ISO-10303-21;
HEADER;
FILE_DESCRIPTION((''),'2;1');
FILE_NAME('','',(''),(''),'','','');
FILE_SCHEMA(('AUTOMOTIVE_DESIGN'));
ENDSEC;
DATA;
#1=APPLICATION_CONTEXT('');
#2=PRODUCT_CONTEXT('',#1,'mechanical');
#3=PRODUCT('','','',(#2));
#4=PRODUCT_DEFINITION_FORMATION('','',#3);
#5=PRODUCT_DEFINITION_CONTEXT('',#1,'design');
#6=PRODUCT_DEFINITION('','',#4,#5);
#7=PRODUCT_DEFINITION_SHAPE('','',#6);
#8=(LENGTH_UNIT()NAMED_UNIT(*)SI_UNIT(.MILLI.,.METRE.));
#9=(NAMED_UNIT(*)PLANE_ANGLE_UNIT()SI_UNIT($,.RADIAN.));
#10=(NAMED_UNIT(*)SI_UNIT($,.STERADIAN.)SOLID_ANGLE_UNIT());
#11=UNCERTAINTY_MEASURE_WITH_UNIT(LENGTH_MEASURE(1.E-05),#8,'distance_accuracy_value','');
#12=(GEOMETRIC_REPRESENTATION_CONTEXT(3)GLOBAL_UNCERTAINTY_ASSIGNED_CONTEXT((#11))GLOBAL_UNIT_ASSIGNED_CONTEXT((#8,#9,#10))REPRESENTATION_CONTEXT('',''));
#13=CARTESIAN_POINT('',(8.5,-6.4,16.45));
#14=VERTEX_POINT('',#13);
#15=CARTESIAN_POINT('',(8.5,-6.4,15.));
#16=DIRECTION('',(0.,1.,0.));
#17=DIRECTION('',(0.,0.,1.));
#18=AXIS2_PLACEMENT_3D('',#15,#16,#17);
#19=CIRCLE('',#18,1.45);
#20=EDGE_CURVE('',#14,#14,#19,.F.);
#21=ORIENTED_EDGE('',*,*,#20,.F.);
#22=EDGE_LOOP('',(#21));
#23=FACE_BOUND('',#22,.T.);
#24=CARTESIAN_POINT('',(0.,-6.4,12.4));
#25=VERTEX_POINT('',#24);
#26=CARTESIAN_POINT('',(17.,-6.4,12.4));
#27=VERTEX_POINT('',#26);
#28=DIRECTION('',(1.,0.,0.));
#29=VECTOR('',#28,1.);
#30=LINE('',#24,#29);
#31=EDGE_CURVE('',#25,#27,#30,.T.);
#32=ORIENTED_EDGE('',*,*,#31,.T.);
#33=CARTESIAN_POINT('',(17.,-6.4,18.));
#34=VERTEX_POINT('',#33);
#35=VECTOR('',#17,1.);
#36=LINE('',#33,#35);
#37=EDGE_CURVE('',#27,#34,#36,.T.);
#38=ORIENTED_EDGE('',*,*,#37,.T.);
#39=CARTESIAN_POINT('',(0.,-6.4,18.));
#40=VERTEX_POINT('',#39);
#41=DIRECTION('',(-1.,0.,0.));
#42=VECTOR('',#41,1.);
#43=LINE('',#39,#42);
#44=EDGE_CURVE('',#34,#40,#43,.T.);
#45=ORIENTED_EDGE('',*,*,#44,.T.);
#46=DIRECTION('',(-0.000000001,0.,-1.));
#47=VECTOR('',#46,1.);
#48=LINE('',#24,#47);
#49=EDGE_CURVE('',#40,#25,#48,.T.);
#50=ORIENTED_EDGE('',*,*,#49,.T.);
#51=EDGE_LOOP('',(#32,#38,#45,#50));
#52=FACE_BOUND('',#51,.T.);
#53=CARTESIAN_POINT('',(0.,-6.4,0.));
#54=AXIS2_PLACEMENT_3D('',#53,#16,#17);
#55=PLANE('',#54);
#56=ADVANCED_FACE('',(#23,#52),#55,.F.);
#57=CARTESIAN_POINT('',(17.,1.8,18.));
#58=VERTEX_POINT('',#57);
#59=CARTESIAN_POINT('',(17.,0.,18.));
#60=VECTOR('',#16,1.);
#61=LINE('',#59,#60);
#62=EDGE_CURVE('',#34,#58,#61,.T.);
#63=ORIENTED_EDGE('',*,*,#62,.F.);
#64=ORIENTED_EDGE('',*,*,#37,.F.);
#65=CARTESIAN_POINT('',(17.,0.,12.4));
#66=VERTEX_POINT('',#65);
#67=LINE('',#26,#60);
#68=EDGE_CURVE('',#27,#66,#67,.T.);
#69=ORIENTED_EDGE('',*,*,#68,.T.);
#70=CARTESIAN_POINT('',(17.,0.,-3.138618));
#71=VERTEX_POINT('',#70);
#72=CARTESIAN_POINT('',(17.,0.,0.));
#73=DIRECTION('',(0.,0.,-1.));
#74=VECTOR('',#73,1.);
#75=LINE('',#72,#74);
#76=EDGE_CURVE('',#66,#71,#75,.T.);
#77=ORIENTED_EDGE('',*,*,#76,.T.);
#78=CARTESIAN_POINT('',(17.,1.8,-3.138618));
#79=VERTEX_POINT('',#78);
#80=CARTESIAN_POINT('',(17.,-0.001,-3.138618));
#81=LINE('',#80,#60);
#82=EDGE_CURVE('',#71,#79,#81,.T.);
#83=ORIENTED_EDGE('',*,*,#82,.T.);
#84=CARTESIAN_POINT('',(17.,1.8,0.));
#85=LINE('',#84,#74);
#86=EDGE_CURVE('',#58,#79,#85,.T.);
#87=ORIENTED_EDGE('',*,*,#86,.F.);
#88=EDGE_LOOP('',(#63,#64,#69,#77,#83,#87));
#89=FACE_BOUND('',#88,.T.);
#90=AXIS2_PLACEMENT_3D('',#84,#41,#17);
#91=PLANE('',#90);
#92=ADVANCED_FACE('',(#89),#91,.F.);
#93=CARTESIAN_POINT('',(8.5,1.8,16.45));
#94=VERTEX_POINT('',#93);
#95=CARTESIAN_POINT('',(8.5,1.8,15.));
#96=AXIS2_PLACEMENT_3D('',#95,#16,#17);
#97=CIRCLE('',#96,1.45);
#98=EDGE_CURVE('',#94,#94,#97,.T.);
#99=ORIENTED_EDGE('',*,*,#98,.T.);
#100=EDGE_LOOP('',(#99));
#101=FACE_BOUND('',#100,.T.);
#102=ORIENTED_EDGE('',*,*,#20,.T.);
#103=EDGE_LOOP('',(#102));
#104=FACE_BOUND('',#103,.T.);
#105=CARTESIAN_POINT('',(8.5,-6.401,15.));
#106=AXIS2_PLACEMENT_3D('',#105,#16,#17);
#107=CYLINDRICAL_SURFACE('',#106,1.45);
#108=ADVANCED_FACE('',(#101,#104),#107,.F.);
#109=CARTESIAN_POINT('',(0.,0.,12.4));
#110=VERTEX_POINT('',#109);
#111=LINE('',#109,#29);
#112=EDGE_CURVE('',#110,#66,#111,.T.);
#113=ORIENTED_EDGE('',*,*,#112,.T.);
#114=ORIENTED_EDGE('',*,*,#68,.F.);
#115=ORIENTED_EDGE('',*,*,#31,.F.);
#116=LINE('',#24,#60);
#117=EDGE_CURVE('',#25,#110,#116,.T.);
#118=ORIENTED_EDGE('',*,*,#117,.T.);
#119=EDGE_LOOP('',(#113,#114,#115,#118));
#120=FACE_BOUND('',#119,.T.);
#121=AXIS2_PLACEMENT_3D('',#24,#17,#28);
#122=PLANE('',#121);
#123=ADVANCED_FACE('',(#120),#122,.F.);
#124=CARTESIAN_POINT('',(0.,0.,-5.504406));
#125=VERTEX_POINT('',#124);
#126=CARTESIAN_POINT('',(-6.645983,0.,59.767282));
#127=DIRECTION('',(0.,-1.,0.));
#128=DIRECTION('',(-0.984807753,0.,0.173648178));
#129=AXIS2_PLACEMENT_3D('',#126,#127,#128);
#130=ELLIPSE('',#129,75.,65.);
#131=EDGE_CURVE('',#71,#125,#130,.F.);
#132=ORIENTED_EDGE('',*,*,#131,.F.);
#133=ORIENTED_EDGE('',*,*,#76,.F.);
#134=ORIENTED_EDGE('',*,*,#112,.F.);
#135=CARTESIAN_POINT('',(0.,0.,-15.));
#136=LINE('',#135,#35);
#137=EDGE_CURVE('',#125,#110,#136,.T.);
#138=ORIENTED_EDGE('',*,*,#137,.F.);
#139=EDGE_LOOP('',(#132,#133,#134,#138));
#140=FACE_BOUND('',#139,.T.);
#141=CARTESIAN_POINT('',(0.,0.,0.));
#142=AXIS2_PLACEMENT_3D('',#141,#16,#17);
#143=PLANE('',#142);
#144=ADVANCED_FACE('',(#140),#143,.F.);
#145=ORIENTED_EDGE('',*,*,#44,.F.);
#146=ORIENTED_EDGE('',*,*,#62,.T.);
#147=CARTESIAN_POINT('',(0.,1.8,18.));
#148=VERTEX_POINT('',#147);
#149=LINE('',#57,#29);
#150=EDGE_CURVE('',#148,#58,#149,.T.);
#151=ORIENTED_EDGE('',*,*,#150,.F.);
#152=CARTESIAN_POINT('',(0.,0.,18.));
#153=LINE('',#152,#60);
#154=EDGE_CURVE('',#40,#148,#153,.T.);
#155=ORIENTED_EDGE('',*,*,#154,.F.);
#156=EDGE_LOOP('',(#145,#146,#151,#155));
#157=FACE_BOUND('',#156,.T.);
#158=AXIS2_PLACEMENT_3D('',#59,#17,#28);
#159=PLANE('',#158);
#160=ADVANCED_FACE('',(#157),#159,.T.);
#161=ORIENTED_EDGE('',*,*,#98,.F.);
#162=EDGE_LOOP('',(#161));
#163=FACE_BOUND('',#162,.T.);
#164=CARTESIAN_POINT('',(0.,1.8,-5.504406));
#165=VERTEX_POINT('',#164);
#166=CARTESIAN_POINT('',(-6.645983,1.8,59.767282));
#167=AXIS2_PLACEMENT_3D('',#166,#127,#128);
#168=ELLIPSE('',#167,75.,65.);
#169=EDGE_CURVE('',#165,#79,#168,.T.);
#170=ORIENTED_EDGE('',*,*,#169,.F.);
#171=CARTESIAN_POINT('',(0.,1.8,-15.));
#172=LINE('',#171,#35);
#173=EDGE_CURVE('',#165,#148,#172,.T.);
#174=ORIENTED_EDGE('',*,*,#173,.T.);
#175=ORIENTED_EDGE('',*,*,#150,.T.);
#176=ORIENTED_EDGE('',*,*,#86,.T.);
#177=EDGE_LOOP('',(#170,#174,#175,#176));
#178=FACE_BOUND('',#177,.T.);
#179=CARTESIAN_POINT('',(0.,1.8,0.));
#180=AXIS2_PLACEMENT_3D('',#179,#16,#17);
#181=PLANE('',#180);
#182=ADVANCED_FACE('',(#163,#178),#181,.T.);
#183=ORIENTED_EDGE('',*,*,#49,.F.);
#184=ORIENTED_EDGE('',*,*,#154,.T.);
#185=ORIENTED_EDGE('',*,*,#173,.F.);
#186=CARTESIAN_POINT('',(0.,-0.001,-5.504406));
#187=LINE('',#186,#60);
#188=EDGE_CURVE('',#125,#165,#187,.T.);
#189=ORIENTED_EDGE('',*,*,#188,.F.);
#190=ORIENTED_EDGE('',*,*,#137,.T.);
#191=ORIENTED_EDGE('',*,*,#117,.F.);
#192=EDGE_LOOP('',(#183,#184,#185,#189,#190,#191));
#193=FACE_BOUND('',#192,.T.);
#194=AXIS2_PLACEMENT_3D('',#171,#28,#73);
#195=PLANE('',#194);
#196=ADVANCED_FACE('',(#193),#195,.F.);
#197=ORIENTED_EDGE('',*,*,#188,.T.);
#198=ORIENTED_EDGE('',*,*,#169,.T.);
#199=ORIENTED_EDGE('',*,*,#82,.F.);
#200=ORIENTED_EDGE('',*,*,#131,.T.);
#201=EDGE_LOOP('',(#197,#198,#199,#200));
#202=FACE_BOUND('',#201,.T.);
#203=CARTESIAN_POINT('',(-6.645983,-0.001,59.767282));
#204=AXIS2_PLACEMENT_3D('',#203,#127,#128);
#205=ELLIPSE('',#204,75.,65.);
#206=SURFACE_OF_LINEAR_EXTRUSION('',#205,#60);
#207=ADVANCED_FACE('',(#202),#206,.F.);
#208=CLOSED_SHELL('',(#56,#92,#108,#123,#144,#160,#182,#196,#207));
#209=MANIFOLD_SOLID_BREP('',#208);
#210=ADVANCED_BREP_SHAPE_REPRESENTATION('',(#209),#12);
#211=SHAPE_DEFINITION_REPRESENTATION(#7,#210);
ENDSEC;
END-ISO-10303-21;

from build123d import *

# Parameters (mm, degrees)
BOSS_EXTRUDE1_DEPTH = 1.8
CUT_EXTRUDE2_REACH  = 3.8
BOSS_EXTRUDE2_DEPTH = 1.8
BOSS_EXTRUDE3_DEPTH = 6.4
CUT_EXTRUDE3_REACH  = 10.2
SKETCH7_R           = 1.45


with BuildPart() as part:
    # Sketch1 → Boss-Extrude1 (new body)
    with BuildSketch(Plane(origin=(0, 0, 0), x_dir=(1, 0, 0), z_dir=(0, 1, 0))):
        Polygon((0, 15), (0, 0), (17, 0), (17, 10), align=None)
    extrude(amount=BOSS_EXTRUDE1_DEPTH)

    # Sketch3 → Cut-Extrude2 (cut, up to next)
    with BuildSketch(Plane(origin=(0, 1.8, 0), x_dir=(1, 0, 0), z_dir=(0, 1, 0)), mode=Mode.PRIVATE) as cut_extrude2_sk1:
        with BuildLine():
            Line((0, 15), (0, 5.504405832))
            add(Edge.make_bspline(
                [(17, 3.138617849), (8.707332044, 5.198817795), (0, 5.504405832)],
                knots=[4.238740022, 4.238740022, 4.238740022, 4.471680234, 4.471680234, 4.471680234], degree=2, weights=[1, 0.993225021, 1]))
            Line((17, 3.138617849), (17, 10))
            Line((17, 10), (0, 15))
        make_face()
    cut_extrude2_tool1 = extrude(cut_extrude2_sk1.sketch, amount=-CUT_EXTRUDE2_REACH, mode=Mode.PRIVATE) & part.part
    add(cut_extrude2_tool1.solids().sort_by_distance((8.024676, 1.8, -8.663074))[0], mode=Mode.SUBTRACT)

    # Sketch5 → Boss-Extrude2 (add)
    with BuildSketch(Plane(origin=(0, 1.8, 0), x_dir=(1, 0, 0), z_dir=(0, 1, 0))):
        Polygon((17, 0), (17, -18), (2.5e-08, -18), (0, 0), align=None)
    extrude(amount=-BOSS_EXTRUDE2_DEPTH)

    # Sketch6 → Boss-Extrude3 (add)
    with BuildSketch(Plane.XZ):
        Polygon((2.5e-08, 18), (17, 18), (17, 12.4), (1.9e-08, 12.4), align=None)
    extrude(amount=BOSS_EXTRUDE3_DEPTH)

    # Sketch7 → Cut-Extrude3 (cut, up to next)
    with BuildSketch(Plane(origin=(0, 1.8, 0), x_dir=(1, 0, 0), z_dir=(0, 1, 0)), mode=Mode.PRIVATE) as cut_extrude3_sk1:
        with Locations(Location((8.500000012, -15, 0), (0, 0, 270))):  # turned: the seam where the file's is
            Circle(SKETCH7_R)
    cut_extrude3_tool1 = extrude(cut_extrude3_sk1.sketch, amount=-CUT_EXTRUDE3_REACH, mode=Mode.PRIVATE) & part.part
    add(cut_extrude3_tool1.solids().sort_by_distance((8.5, 1.8, 15))[0], mode=Mode.SUBTRACT)


solid = part.part
